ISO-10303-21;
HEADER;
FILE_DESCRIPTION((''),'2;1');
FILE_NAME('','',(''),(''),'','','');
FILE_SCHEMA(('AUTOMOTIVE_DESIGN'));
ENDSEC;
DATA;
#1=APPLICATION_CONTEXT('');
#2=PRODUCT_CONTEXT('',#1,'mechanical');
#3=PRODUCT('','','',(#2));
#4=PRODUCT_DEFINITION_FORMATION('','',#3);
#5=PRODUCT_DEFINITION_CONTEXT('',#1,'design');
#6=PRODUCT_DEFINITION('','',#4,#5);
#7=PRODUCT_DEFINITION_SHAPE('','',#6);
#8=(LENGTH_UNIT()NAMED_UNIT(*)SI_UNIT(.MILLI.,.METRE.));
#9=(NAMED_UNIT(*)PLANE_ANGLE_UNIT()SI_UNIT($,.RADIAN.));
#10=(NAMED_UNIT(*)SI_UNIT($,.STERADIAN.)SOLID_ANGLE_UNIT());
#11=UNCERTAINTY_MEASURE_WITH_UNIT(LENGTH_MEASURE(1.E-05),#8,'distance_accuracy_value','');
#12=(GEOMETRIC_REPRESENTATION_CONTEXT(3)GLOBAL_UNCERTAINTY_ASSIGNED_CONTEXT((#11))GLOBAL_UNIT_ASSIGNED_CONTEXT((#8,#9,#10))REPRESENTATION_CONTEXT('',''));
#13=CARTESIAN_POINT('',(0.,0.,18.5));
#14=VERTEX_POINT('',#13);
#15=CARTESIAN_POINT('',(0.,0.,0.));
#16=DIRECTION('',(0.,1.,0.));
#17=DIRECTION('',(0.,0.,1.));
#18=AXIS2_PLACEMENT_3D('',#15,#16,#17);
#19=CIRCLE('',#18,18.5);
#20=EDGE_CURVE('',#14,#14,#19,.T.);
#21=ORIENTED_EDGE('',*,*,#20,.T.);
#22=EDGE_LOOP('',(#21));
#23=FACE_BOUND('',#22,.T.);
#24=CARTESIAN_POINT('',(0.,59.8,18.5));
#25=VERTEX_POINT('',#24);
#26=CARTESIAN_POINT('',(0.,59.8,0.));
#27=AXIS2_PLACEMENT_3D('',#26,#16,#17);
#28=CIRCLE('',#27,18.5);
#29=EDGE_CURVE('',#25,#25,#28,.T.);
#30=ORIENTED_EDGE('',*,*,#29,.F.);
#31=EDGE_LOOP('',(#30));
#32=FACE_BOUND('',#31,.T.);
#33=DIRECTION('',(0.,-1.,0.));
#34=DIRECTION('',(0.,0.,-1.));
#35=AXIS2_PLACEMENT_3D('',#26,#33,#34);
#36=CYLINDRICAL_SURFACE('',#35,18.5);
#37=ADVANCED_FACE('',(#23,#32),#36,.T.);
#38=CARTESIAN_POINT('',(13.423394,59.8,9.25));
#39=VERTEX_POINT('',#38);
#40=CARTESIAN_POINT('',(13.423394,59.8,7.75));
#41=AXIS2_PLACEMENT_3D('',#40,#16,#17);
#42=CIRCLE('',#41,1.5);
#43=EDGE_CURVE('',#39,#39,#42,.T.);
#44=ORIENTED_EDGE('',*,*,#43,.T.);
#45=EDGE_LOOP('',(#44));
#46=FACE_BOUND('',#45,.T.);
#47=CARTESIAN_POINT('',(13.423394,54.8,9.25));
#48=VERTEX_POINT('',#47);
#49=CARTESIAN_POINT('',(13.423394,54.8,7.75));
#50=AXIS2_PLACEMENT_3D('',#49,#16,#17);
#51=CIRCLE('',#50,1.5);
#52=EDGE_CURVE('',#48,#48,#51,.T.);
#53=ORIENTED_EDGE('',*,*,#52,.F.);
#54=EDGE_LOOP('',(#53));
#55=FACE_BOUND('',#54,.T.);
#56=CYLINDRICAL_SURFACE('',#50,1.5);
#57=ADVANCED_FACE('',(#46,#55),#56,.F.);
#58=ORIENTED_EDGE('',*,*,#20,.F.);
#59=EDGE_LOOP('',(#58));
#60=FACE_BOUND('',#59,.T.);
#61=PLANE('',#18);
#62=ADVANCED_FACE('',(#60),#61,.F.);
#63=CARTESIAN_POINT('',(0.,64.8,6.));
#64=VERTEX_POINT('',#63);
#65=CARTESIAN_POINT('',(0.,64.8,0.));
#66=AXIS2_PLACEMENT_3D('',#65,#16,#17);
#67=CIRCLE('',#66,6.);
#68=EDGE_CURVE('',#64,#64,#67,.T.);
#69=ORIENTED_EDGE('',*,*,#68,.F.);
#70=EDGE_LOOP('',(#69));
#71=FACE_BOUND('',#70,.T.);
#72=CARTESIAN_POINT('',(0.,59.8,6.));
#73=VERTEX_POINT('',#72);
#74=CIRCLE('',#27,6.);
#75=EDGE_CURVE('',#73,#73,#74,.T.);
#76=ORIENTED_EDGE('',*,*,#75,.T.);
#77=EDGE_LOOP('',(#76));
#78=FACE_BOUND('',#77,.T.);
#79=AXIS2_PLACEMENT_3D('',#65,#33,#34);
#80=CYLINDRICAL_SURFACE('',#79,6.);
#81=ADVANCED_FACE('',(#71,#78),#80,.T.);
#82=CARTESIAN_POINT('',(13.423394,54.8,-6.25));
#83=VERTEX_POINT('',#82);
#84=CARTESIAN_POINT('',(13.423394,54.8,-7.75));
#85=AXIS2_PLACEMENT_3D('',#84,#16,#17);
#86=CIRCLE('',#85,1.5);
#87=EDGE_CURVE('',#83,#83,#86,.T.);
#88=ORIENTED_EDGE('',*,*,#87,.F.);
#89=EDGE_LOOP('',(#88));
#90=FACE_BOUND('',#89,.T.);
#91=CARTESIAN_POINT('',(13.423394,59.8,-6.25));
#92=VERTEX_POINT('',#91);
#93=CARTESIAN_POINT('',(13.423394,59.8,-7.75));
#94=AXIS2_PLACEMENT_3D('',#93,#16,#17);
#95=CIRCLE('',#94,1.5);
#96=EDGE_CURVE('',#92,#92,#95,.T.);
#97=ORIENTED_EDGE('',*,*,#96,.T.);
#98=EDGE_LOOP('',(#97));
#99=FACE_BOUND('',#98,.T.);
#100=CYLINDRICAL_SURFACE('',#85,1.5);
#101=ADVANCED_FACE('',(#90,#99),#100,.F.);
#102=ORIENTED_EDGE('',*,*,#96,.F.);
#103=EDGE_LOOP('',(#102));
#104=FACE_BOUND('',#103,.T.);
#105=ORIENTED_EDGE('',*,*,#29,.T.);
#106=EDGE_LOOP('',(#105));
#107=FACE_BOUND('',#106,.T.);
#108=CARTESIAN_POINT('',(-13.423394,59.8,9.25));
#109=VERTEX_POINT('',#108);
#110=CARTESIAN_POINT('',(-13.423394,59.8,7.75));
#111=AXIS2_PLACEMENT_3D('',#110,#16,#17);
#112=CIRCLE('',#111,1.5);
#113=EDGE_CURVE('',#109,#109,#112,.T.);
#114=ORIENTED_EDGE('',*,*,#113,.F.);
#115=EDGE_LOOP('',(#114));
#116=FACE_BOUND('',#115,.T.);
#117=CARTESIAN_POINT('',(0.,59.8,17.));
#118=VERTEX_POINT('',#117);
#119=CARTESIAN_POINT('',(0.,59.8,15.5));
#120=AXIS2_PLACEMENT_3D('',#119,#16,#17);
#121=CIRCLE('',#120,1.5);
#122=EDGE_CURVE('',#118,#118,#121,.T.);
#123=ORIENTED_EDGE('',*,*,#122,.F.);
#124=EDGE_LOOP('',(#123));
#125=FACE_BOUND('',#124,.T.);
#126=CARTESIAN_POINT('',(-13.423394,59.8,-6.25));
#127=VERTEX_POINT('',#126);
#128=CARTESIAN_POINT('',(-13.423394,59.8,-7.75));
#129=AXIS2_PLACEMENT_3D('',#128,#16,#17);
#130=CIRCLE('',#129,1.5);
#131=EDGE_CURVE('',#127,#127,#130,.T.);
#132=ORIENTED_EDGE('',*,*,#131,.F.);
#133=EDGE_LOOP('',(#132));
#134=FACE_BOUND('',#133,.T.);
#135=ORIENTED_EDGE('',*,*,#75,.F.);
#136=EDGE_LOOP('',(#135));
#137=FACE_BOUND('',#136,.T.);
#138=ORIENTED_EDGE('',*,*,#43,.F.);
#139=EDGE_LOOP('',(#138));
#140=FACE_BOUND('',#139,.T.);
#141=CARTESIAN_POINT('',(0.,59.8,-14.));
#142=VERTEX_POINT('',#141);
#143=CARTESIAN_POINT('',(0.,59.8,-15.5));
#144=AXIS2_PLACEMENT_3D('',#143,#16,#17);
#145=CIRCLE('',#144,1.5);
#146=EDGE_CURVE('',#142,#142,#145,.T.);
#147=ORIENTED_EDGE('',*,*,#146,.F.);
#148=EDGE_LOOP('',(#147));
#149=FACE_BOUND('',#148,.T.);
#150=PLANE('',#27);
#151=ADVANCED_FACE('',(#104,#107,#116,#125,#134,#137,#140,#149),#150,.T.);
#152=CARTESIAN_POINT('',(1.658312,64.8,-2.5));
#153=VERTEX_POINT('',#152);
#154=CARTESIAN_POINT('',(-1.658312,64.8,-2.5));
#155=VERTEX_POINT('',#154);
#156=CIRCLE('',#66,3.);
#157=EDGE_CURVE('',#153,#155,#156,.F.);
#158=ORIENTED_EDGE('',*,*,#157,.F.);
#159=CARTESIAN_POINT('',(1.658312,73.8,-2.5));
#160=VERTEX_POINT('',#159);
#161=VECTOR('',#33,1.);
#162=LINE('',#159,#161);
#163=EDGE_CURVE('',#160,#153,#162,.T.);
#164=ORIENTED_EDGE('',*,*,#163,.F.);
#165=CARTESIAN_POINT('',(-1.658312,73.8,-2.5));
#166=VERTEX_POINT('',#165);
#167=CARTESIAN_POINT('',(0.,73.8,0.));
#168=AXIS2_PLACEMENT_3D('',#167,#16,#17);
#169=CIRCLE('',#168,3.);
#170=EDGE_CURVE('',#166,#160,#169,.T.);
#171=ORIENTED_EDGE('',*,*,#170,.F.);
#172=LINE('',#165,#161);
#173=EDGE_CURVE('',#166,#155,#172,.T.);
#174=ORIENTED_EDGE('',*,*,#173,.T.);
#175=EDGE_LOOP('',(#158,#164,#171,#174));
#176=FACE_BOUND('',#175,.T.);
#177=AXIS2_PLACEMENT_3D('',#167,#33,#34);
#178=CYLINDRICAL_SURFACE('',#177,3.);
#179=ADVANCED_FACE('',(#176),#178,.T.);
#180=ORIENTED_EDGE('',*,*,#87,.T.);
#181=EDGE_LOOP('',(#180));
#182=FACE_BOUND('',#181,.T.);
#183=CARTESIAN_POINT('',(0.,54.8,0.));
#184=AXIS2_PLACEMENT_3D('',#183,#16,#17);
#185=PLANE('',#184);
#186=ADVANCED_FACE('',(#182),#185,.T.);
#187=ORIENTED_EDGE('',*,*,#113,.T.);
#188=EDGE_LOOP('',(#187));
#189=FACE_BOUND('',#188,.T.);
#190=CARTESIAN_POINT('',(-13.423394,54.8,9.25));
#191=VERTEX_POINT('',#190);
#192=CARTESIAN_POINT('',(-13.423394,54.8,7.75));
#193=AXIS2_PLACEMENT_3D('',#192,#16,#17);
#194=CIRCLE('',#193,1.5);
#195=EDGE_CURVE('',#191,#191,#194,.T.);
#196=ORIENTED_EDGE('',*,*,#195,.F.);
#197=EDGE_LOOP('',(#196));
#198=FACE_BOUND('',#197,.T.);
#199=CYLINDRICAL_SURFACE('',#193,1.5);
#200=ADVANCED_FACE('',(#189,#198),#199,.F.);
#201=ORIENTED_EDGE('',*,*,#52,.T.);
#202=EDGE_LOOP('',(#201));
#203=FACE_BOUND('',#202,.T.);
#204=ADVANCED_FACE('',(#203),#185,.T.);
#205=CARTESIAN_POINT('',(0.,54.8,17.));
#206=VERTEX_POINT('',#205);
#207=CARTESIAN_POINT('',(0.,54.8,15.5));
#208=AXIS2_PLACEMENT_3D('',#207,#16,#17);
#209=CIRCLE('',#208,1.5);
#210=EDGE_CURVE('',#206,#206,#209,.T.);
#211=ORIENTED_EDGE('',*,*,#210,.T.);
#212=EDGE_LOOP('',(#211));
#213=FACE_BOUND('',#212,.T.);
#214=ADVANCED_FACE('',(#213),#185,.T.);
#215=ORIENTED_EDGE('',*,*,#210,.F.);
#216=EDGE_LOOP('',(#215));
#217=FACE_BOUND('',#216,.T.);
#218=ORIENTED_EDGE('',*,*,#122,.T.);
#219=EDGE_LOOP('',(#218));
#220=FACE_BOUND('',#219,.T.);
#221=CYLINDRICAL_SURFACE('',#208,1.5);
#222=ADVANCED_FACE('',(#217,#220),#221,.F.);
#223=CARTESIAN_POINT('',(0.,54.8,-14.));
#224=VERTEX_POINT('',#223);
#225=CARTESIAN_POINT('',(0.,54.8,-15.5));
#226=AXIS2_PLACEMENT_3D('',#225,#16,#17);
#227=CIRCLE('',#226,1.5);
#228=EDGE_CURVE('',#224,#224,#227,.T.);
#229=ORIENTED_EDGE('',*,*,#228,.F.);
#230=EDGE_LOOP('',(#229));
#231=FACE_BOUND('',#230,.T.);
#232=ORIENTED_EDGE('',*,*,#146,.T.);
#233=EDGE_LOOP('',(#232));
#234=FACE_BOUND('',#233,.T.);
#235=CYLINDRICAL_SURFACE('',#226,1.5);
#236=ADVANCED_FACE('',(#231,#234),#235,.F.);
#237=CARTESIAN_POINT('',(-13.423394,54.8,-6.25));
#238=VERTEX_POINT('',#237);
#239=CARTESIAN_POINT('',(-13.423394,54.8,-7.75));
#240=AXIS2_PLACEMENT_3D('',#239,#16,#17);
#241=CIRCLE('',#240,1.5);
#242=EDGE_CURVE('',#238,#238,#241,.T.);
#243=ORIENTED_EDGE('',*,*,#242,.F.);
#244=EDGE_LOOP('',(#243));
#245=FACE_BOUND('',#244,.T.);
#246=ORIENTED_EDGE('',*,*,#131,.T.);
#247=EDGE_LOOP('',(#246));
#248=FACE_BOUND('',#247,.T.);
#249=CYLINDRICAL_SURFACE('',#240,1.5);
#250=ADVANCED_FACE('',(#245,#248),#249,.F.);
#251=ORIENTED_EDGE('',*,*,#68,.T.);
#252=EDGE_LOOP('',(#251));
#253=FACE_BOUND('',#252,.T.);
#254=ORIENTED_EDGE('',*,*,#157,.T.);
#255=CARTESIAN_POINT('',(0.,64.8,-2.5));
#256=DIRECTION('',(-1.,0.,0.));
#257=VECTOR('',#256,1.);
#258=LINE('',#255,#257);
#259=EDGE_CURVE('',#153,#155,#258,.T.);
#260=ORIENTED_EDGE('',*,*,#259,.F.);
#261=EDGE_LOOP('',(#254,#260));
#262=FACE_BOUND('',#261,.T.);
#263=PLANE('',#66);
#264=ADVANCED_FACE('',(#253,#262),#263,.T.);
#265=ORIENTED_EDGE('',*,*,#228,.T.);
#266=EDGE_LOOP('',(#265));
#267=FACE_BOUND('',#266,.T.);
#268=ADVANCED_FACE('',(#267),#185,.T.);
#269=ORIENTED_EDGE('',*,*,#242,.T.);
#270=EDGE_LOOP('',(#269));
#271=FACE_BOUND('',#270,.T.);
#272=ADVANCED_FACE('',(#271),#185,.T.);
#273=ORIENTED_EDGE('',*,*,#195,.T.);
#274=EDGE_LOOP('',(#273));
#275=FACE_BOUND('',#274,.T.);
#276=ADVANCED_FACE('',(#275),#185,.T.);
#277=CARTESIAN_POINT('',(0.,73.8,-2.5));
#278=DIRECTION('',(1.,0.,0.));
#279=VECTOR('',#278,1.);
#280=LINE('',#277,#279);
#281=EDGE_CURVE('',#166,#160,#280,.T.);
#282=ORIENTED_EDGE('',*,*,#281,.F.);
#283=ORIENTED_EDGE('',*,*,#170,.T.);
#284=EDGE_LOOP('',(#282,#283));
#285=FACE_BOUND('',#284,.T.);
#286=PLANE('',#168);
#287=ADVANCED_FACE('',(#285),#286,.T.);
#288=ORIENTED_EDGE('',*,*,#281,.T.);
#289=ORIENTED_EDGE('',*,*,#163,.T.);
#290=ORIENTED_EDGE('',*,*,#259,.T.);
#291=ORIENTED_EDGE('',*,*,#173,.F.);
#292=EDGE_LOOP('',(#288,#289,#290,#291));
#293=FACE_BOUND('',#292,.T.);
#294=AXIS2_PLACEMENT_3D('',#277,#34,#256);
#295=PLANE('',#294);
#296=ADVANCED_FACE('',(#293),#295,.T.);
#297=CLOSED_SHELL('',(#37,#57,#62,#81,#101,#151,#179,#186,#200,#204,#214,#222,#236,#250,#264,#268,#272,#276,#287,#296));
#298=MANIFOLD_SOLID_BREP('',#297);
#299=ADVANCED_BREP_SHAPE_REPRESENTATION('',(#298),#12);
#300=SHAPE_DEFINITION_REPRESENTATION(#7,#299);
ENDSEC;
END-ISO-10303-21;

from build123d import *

# Parameters (mm, degrees)
SKETCH1_R           = 18.5
BOSS_EXTRUDE1_DEPTH = 59.8
SKETCH2_R           = 6
BOSS_EXTRUDE2_DEPTH = 5
BOSS_EXTRUDE3_DEPTH = 14
SKETCH2_5_R         = 1.5
CUT_EXTRUDE1_DEPTH  = 5


with BuildPart() as part:
    # Sketch1 → Boss-Extrude1 (new body)
    with BuildSketch(Plane(origin=(0, 0, 0), x_dir=(1, 0, 0), z_dir=(0, 1, 0))):
        Circle(SKETCH1_R)
    extrude(amount=BOSS_EXTRUDE1_DEPTH)

    # Sketch2 → Boss-Extrude2 (add)
    with BuildSketch(Plane(origin=(0, 59.8, 0), x_dir=(1, 0, 0), z_dir=(0, 1, 0))):
        Circle(SKETCH2_R)
    extrude(amount=BOSS_EXTRUDE2_DEPTH)

    # Sketch2<3> → Boss-Extrude3 (add)
    with BuildSketch(Plane(origin=(0, 59.8, 0), x_dir=(1, 0, 0), z_dir=(0, 1, 0))):
        with BuildLine():
            Line((1.658312395, 2.5), (-1.658312395, 2.5))
            ThreePointArc((-1.658312395, 2.5), (-1.418637165, -2.643382037), (3, 0))
            ThreePointArc((3, 0), (2.643382037, 1.418637165), (1.658312395, 2.5))
        make_face()
    extrude(amount=BOSS_EXTRUDE3_DEPTH)

    # Sketch2<5> → Cut-Extrude1 (cut)
    with BuildSketch(Plane(origin=(0, 59.8, 0), x_dir=(1, 0, 0), z_dir=(0, 1, 0))):
        with Locations((0, 15.5)):
            Circle(SKETCH2_5_R)
        with Locations((13.423393759, 7.75)):
            Circle(SKETCH2_5_R)
        with Locations((13.423393759, -7.75)):
            Circle(SKETCH2_5_R)
        with Locations((0, -15.5)):
            Circle(SKETCH2_5_R)
        with Locations((-13.423393759, -7.75)):
            Circle(SKETCH2_5_R)
        with Locations((-13.423393759, 7.75)):
            Circle(SKETCH2_5_R)
    extrude(amount=-CUT_EXTRUDE1_DEPTH, mode=Mode.SUBTRACT)


solid = part.part
